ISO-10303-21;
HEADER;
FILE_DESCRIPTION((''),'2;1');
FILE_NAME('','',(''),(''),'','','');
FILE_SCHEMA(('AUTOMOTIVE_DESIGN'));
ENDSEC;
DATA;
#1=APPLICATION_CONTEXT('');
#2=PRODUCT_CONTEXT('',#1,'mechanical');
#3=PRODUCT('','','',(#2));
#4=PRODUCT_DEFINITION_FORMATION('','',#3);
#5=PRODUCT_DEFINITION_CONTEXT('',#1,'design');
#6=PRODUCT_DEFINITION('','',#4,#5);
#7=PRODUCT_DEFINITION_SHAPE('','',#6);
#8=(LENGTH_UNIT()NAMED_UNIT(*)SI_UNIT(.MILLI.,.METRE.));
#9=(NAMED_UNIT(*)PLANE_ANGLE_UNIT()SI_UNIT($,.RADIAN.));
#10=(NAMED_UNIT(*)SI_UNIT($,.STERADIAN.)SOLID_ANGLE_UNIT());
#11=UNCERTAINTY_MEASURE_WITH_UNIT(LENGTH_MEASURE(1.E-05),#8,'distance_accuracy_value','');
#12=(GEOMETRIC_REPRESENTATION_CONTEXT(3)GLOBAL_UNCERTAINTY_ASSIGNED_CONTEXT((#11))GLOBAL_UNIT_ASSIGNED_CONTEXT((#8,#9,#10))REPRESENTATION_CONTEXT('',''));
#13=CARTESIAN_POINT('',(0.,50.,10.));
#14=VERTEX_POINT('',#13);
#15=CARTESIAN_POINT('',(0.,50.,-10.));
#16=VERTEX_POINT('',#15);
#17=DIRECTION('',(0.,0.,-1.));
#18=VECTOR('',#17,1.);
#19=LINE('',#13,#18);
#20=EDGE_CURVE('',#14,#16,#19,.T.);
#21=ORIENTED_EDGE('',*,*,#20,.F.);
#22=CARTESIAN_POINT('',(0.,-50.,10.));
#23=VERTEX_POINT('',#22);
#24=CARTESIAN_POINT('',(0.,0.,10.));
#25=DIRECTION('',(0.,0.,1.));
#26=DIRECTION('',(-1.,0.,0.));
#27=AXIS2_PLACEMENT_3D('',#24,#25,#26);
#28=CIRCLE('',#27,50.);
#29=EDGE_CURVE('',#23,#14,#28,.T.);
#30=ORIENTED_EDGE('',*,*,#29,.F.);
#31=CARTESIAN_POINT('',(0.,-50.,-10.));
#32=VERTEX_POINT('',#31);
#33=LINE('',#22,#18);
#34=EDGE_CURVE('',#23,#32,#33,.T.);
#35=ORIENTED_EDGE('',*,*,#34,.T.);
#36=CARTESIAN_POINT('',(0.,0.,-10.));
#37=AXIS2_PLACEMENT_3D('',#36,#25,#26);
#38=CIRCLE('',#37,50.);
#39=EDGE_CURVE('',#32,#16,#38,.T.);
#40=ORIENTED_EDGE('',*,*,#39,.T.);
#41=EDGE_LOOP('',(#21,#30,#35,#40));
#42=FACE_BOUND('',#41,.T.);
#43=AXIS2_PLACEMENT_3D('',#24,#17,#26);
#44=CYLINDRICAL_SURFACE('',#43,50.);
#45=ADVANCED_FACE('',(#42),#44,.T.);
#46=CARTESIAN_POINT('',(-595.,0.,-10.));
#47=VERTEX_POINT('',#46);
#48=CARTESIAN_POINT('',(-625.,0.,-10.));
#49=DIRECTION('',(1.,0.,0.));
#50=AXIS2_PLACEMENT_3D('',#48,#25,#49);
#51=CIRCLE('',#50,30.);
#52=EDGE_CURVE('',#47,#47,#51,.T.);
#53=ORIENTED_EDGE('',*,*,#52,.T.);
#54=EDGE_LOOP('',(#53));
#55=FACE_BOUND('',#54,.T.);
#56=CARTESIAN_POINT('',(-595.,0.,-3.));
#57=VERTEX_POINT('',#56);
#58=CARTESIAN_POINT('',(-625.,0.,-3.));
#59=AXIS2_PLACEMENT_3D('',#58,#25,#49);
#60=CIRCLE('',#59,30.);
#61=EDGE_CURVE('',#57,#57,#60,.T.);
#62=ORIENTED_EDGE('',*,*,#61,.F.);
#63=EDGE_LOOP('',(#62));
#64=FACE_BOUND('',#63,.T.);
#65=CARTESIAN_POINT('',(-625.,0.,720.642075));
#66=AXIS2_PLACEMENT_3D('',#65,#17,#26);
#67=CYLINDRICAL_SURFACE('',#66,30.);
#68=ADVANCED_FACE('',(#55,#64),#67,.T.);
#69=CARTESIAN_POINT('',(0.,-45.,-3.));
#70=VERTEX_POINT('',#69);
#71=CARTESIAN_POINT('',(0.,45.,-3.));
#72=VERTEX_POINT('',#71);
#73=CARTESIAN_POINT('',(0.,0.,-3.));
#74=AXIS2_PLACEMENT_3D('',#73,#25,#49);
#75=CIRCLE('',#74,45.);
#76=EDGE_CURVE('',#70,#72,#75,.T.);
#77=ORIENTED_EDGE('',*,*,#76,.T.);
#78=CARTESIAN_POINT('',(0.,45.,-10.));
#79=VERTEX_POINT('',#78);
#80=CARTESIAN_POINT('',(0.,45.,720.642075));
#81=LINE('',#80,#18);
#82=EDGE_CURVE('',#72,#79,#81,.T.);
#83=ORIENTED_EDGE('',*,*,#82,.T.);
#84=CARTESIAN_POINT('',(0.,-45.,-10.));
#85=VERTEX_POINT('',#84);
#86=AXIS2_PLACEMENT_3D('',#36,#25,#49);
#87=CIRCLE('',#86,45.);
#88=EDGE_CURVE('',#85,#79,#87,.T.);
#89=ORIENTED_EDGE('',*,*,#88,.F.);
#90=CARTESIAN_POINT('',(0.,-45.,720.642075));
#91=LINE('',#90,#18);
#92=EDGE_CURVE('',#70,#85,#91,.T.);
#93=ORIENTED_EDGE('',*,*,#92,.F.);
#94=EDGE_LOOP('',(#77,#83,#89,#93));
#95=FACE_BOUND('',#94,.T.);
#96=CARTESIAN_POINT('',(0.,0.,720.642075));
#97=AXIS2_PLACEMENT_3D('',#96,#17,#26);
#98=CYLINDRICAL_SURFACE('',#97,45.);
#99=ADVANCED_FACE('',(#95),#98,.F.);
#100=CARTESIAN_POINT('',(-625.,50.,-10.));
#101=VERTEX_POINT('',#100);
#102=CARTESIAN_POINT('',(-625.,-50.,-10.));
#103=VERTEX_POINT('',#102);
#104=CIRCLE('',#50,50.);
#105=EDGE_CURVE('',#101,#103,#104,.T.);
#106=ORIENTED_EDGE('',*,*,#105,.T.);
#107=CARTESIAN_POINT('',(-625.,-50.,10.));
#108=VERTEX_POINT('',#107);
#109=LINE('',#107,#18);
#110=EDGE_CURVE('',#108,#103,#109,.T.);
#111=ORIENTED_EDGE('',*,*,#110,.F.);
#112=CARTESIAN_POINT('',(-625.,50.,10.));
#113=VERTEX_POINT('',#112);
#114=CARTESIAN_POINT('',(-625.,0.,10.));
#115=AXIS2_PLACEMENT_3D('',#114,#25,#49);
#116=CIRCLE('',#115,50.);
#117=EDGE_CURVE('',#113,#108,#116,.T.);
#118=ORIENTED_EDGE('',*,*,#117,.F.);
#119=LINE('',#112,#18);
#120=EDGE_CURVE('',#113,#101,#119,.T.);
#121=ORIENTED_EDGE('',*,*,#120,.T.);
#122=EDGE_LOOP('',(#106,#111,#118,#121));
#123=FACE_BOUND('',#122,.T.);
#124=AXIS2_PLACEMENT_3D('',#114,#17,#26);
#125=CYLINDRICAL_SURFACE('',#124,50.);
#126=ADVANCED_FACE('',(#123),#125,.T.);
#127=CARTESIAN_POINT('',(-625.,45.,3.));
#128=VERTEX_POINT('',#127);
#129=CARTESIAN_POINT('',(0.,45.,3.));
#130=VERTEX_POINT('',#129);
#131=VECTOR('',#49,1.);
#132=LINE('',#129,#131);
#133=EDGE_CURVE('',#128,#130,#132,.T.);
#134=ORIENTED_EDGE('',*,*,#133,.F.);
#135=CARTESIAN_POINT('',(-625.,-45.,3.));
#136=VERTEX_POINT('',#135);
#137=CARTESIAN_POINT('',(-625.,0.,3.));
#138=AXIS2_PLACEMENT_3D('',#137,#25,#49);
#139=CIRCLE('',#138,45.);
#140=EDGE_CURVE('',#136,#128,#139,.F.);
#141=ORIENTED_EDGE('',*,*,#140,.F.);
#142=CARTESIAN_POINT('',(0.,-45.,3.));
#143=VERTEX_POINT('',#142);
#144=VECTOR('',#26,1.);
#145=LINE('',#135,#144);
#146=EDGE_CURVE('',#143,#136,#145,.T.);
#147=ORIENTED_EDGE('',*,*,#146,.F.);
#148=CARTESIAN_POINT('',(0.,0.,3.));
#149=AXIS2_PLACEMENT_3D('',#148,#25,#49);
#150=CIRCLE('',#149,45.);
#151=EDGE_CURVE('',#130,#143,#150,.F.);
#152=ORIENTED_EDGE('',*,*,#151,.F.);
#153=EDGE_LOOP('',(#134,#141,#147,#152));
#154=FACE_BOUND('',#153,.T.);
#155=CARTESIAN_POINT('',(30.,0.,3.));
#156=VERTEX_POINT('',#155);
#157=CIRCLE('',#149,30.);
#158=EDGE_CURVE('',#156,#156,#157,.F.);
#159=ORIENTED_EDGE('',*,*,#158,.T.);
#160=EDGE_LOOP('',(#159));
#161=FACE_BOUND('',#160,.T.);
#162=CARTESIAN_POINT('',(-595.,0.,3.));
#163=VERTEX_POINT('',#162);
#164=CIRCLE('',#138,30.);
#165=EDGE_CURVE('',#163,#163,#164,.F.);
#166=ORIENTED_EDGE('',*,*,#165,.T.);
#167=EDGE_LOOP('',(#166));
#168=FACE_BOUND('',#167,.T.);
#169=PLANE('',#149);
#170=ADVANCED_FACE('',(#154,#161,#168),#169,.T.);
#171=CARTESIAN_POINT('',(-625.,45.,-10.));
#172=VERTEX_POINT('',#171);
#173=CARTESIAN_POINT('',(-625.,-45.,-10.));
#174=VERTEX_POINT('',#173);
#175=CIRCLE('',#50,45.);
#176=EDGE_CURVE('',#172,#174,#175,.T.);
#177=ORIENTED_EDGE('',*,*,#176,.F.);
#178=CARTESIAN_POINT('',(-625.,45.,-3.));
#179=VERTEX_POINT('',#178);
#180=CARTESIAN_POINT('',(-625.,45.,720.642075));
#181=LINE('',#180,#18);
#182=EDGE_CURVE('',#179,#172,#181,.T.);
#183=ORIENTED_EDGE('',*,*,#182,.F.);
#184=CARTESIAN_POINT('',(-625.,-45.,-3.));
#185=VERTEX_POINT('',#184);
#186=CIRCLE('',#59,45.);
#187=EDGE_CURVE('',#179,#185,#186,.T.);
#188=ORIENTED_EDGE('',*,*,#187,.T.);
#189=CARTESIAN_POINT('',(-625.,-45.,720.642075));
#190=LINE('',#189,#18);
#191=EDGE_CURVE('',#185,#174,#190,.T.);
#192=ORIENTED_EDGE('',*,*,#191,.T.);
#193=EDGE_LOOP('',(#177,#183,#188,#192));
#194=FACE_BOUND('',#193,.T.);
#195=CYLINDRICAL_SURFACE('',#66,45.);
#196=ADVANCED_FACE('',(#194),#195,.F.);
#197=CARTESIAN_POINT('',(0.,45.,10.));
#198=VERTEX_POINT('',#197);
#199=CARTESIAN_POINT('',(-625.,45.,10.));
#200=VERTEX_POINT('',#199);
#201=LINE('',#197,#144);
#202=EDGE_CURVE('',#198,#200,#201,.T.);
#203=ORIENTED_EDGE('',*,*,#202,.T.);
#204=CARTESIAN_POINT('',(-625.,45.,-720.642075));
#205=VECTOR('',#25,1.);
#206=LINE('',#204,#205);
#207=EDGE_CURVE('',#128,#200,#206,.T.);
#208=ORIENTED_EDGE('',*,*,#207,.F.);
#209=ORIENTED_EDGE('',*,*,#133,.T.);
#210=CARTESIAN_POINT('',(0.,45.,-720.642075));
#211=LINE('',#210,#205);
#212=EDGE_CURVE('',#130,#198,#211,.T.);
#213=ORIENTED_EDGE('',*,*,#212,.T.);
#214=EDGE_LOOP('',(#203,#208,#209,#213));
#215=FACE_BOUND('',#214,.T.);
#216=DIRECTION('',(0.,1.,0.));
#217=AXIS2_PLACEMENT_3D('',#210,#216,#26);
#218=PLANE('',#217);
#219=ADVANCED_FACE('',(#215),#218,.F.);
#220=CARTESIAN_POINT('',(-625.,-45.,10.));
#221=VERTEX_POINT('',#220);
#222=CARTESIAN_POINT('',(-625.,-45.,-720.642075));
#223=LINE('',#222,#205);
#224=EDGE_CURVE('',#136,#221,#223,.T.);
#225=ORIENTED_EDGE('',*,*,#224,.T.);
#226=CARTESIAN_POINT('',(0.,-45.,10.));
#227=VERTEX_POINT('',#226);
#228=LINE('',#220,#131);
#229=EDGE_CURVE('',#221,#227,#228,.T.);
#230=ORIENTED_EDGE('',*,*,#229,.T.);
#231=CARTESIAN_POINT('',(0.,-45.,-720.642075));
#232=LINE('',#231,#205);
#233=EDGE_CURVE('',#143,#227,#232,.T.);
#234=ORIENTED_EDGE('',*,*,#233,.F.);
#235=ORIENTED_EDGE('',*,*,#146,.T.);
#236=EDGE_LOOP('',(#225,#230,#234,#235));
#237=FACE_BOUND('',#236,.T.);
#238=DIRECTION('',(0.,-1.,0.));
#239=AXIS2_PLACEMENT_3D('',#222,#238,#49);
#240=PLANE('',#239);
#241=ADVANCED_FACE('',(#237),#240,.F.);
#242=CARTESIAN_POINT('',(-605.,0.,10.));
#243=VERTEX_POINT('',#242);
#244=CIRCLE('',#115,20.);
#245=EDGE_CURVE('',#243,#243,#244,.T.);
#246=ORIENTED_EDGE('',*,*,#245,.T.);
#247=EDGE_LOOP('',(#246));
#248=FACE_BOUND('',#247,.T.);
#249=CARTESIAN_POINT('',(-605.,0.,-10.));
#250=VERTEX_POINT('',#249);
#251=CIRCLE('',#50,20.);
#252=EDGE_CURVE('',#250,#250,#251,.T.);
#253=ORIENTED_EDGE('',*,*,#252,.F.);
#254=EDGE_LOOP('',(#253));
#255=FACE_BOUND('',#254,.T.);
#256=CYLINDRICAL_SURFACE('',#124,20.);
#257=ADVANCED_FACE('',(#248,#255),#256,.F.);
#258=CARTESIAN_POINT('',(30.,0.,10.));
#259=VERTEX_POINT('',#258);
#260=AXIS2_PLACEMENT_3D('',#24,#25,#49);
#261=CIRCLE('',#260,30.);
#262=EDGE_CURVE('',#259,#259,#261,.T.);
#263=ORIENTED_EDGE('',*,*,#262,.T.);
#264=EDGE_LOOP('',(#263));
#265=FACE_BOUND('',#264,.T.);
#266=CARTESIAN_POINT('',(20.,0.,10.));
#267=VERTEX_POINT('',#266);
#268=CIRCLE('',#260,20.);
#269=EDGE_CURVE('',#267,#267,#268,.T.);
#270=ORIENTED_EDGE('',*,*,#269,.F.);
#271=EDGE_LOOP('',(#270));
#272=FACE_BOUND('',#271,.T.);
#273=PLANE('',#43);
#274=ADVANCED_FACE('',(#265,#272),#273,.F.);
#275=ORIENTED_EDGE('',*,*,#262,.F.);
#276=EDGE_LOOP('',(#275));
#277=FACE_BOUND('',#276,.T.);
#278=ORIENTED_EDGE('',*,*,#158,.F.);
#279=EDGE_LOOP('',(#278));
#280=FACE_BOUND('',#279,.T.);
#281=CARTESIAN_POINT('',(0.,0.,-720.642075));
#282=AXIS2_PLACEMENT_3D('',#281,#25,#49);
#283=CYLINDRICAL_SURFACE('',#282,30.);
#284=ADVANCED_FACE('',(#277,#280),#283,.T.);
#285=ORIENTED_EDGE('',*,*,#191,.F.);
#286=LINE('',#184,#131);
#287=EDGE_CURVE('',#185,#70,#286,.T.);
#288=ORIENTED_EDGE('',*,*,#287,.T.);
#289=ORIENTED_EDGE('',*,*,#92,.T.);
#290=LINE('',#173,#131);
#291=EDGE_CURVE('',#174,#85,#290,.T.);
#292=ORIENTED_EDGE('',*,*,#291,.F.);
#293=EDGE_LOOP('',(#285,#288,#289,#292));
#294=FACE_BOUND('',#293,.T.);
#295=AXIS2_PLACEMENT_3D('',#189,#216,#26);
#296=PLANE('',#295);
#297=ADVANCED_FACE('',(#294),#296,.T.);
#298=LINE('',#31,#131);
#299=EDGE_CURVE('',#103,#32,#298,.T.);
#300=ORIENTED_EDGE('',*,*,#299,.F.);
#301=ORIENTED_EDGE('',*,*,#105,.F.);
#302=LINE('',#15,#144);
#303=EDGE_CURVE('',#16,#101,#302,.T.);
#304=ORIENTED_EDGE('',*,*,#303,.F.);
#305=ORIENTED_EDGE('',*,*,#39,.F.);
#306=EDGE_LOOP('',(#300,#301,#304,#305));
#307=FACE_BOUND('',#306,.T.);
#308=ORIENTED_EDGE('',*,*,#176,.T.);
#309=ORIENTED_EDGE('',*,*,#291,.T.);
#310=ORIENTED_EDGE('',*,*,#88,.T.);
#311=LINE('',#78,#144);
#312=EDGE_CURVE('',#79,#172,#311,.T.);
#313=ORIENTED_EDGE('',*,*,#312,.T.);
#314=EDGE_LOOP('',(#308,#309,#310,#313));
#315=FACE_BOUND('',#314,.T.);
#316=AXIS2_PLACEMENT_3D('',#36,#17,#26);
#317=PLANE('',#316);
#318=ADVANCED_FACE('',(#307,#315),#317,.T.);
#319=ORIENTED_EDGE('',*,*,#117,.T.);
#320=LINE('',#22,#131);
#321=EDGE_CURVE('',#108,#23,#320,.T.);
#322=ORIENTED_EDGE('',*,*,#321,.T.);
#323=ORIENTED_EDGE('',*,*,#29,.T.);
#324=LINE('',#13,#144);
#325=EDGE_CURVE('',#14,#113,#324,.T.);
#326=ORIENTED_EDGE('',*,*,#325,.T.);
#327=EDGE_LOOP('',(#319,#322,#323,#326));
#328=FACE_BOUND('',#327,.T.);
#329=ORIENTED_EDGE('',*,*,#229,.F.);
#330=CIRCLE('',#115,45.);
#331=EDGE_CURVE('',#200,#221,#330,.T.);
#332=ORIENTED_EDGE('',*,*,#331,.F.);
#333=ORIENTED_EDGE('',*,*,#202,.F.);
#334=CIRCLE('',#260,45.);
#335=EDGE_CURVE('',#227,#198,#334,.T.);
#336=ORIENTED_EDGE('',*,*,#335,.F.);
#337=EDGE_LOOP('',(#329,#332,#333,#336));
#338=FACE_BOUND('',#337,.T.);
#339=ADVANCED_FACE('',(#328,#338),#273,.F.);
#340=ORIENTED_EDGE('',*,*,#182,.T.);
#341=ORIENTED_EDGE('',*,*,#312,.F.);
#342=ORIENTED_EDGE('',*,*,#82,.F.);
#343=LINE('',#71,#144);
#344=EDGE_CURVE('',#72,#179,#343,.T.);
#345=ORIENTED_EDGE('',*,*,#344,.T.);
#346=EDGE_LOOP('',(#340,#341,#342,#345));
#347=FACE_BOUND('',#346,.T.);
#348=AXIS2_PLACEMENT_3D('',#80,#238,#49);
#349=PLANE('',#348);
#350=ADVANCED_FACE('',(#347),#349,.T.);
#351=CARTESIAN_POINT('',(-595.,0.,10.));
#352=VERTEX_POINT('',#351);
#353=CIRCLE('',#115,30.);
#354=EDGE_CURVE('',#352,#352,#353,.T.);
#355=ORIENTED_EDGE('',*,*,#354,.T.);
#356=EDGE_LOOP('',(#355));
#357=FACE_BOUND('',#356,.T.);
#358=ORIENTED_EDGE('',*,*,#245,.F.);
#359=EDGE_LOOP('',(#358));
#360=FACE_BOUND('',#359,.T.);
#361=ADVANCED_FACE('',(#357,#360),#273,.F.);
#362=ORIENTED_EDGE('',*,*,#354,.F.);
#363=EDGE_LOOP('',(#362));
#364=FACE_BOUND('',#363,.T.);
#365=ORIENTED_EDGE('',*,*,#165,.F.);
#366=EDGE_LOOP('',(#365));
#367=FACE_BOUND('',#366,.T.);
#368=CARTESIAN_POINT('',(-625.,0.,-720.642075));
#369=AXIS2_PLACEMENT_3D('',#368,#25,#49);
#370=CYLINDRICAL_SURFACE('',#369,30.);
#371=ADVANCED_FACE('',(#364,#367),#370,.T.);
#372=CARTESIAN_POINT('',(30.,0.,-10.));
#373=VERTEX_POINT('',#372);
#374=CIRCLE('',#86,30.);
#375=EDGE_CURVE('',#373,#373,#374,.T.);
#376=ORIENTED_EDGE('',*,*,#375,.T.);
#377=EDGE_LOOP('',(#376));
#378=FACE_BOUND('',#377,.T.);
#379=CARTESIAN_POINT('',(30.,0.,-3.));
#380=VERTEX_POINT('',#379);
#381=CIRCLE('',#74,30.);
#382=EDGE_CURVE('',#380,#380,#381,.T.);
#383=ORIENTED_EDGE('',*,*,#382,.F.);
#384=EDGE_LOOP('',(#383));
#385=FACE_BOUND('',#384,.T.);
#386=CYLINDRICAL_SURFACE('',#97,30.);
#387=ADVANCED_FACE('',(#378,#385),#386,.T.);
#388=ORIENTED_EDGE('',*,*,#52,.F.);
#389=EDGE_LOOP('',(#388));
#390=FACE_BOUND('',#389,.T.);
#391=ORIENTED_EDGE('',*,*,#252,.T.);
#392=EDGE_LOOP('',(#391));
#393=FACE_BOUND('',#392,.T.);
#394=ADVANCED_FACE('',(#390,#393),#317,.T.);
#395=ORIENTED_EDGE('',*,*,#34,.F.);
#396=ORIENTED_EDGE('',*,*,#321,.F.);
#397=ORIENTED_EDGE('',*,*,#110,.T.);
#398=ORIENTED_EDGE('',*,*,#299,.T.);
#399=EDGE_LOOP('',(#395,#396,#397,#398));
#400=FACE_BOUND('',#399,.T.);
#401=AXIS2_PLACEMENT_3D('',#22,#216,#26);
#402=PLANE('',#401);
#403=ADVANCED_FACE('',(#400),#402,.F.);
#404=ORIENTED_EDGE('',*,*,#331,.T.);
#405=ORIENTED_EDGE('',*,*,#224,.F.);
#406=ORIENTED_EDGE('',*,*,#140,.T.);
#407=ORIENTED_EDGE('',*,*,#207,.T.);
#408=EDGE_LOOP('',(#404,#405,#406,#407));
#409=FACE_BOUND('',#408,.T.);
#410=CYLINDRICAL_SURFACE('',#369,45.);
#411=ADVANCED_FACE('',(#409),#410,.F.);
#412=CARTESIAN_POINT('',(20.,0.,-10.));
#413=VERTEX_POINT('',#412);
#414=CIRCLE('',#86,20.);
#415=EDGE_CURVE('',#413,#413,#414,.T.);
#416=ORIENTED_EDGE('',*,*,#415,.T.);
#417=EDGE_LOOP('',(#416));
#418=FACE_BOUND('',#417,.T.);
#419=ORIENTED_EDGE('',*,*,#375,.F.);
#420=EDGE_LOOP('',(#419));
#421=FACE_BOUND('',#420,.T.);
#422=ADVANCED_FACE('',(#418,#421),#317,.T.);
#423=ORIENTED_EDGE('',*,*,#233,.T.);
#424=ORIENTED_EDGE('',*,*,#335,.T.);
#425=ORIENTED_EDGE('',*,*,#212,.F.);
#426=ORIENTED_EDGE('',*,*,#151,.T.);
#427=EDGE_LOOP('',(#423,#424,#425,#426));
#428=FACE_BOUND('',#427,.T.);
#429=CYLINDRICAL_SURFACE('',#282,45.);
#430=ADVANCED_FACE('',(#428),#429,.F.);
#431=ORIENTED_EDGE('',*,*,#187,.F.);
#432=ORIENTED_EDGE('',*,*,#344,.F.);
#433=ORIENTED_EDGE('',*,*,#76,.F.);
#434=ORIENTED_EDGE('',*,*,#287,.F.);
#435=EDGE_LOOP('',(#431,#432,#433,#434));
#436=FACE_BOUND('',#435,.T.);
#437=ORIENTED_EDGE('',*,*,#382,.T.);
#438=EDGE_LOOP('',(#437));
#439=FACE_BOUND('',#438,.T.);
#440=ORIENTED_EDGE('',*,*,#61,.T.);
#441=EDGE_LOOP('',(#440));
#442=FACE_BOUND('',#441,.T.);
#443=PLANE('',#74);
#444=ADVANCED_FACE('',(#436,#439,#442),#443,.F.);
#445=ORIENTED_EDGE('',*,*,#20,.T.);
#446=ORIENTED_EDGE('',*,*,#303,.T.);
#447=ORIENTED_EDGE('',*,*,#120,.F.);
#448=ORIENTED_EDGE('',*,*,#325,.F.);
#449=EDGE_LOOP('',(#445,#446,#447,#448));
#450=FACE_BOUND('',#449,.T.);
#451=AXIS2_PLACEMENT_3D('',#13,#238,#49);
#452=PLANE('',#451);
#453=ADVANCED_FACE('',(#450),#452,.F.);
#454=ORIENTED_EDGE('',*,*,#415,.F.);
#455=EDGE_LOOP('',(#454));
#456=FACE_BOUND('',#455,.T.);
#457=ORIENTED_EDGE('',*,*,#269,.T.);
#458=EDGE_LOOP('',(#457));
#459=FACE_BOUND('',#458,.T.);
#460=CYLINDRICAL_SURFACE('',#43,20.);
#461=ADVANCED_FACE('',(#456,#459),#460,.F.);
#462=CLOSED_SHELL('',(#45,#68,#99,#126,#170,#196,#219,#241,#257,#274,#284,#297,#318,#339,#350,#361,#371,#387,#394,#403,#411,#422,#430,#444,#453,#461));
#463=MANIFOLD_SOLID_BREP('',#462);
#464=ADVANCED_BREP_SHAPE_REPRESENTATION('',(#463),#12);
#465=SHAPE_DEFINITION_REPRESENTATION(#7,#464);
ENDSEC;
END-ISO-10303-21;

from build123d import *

# Parameters (mm, degrees)
SKETCH1_R          = 20
EXTRUDE1_DEPTH     = 10
SKETCH2_R          = 30
CUT_EXTRUDE1_DEPTH = 7


with BuildPart() as part:
    # Sketch1 → Extrude1 (new, symmetric)
    with BuildSketch(Plane.XY):
        with BuildLine():
            Line((0, 50), (-625, 50))
            ThreePointArc((-625, 50), (-675, 0), (-625, -50))
            Line((-625, -50), (0, -50))
            ThreePointArc((0, -50), (50, 0), (0, 50))
        make_face()
        Circle(SKETCH1_R, mode=Mode.SUBTRACT)
        with Locations((-625, 0)):
            Circle(SKETCH1_R, mode=Mode.SUBTRACT)
    extrude(amount=EXTRUDE1_DEPTH, both=True)

    # Sketch2 → Cut-Extrude1 (cut)
    with BuildSketch(Plane.XY.offset(10)):
        with BuildLine():
            Line((0, 45), (-625, 45))
            ThreePointArc((-625, 45), (-670, 0), (-625, -45))
            Line((-625, -45), (0, -45))
            ThreePointArc((0, -45), (45, 0), (0, 45))
        make_face()
        Circle(SKETCH2_R, mode=Mode.SUBTRACT)
        with Locations((-625, 0)):
            Circle(SKETCH2_R, mode=Mode.SUBTRACT)
    cut_extrude1 = extrude(amount=-CUT_EXTRUDE1_DEPTH, mode=Mode.SUBTRACT)

    # Mirror1: Cut-Extrude1 across plane
    add(cut_extrude1.mirror(Plane.XY), mode=Mode.SUBTRACT)


solid = part.part
